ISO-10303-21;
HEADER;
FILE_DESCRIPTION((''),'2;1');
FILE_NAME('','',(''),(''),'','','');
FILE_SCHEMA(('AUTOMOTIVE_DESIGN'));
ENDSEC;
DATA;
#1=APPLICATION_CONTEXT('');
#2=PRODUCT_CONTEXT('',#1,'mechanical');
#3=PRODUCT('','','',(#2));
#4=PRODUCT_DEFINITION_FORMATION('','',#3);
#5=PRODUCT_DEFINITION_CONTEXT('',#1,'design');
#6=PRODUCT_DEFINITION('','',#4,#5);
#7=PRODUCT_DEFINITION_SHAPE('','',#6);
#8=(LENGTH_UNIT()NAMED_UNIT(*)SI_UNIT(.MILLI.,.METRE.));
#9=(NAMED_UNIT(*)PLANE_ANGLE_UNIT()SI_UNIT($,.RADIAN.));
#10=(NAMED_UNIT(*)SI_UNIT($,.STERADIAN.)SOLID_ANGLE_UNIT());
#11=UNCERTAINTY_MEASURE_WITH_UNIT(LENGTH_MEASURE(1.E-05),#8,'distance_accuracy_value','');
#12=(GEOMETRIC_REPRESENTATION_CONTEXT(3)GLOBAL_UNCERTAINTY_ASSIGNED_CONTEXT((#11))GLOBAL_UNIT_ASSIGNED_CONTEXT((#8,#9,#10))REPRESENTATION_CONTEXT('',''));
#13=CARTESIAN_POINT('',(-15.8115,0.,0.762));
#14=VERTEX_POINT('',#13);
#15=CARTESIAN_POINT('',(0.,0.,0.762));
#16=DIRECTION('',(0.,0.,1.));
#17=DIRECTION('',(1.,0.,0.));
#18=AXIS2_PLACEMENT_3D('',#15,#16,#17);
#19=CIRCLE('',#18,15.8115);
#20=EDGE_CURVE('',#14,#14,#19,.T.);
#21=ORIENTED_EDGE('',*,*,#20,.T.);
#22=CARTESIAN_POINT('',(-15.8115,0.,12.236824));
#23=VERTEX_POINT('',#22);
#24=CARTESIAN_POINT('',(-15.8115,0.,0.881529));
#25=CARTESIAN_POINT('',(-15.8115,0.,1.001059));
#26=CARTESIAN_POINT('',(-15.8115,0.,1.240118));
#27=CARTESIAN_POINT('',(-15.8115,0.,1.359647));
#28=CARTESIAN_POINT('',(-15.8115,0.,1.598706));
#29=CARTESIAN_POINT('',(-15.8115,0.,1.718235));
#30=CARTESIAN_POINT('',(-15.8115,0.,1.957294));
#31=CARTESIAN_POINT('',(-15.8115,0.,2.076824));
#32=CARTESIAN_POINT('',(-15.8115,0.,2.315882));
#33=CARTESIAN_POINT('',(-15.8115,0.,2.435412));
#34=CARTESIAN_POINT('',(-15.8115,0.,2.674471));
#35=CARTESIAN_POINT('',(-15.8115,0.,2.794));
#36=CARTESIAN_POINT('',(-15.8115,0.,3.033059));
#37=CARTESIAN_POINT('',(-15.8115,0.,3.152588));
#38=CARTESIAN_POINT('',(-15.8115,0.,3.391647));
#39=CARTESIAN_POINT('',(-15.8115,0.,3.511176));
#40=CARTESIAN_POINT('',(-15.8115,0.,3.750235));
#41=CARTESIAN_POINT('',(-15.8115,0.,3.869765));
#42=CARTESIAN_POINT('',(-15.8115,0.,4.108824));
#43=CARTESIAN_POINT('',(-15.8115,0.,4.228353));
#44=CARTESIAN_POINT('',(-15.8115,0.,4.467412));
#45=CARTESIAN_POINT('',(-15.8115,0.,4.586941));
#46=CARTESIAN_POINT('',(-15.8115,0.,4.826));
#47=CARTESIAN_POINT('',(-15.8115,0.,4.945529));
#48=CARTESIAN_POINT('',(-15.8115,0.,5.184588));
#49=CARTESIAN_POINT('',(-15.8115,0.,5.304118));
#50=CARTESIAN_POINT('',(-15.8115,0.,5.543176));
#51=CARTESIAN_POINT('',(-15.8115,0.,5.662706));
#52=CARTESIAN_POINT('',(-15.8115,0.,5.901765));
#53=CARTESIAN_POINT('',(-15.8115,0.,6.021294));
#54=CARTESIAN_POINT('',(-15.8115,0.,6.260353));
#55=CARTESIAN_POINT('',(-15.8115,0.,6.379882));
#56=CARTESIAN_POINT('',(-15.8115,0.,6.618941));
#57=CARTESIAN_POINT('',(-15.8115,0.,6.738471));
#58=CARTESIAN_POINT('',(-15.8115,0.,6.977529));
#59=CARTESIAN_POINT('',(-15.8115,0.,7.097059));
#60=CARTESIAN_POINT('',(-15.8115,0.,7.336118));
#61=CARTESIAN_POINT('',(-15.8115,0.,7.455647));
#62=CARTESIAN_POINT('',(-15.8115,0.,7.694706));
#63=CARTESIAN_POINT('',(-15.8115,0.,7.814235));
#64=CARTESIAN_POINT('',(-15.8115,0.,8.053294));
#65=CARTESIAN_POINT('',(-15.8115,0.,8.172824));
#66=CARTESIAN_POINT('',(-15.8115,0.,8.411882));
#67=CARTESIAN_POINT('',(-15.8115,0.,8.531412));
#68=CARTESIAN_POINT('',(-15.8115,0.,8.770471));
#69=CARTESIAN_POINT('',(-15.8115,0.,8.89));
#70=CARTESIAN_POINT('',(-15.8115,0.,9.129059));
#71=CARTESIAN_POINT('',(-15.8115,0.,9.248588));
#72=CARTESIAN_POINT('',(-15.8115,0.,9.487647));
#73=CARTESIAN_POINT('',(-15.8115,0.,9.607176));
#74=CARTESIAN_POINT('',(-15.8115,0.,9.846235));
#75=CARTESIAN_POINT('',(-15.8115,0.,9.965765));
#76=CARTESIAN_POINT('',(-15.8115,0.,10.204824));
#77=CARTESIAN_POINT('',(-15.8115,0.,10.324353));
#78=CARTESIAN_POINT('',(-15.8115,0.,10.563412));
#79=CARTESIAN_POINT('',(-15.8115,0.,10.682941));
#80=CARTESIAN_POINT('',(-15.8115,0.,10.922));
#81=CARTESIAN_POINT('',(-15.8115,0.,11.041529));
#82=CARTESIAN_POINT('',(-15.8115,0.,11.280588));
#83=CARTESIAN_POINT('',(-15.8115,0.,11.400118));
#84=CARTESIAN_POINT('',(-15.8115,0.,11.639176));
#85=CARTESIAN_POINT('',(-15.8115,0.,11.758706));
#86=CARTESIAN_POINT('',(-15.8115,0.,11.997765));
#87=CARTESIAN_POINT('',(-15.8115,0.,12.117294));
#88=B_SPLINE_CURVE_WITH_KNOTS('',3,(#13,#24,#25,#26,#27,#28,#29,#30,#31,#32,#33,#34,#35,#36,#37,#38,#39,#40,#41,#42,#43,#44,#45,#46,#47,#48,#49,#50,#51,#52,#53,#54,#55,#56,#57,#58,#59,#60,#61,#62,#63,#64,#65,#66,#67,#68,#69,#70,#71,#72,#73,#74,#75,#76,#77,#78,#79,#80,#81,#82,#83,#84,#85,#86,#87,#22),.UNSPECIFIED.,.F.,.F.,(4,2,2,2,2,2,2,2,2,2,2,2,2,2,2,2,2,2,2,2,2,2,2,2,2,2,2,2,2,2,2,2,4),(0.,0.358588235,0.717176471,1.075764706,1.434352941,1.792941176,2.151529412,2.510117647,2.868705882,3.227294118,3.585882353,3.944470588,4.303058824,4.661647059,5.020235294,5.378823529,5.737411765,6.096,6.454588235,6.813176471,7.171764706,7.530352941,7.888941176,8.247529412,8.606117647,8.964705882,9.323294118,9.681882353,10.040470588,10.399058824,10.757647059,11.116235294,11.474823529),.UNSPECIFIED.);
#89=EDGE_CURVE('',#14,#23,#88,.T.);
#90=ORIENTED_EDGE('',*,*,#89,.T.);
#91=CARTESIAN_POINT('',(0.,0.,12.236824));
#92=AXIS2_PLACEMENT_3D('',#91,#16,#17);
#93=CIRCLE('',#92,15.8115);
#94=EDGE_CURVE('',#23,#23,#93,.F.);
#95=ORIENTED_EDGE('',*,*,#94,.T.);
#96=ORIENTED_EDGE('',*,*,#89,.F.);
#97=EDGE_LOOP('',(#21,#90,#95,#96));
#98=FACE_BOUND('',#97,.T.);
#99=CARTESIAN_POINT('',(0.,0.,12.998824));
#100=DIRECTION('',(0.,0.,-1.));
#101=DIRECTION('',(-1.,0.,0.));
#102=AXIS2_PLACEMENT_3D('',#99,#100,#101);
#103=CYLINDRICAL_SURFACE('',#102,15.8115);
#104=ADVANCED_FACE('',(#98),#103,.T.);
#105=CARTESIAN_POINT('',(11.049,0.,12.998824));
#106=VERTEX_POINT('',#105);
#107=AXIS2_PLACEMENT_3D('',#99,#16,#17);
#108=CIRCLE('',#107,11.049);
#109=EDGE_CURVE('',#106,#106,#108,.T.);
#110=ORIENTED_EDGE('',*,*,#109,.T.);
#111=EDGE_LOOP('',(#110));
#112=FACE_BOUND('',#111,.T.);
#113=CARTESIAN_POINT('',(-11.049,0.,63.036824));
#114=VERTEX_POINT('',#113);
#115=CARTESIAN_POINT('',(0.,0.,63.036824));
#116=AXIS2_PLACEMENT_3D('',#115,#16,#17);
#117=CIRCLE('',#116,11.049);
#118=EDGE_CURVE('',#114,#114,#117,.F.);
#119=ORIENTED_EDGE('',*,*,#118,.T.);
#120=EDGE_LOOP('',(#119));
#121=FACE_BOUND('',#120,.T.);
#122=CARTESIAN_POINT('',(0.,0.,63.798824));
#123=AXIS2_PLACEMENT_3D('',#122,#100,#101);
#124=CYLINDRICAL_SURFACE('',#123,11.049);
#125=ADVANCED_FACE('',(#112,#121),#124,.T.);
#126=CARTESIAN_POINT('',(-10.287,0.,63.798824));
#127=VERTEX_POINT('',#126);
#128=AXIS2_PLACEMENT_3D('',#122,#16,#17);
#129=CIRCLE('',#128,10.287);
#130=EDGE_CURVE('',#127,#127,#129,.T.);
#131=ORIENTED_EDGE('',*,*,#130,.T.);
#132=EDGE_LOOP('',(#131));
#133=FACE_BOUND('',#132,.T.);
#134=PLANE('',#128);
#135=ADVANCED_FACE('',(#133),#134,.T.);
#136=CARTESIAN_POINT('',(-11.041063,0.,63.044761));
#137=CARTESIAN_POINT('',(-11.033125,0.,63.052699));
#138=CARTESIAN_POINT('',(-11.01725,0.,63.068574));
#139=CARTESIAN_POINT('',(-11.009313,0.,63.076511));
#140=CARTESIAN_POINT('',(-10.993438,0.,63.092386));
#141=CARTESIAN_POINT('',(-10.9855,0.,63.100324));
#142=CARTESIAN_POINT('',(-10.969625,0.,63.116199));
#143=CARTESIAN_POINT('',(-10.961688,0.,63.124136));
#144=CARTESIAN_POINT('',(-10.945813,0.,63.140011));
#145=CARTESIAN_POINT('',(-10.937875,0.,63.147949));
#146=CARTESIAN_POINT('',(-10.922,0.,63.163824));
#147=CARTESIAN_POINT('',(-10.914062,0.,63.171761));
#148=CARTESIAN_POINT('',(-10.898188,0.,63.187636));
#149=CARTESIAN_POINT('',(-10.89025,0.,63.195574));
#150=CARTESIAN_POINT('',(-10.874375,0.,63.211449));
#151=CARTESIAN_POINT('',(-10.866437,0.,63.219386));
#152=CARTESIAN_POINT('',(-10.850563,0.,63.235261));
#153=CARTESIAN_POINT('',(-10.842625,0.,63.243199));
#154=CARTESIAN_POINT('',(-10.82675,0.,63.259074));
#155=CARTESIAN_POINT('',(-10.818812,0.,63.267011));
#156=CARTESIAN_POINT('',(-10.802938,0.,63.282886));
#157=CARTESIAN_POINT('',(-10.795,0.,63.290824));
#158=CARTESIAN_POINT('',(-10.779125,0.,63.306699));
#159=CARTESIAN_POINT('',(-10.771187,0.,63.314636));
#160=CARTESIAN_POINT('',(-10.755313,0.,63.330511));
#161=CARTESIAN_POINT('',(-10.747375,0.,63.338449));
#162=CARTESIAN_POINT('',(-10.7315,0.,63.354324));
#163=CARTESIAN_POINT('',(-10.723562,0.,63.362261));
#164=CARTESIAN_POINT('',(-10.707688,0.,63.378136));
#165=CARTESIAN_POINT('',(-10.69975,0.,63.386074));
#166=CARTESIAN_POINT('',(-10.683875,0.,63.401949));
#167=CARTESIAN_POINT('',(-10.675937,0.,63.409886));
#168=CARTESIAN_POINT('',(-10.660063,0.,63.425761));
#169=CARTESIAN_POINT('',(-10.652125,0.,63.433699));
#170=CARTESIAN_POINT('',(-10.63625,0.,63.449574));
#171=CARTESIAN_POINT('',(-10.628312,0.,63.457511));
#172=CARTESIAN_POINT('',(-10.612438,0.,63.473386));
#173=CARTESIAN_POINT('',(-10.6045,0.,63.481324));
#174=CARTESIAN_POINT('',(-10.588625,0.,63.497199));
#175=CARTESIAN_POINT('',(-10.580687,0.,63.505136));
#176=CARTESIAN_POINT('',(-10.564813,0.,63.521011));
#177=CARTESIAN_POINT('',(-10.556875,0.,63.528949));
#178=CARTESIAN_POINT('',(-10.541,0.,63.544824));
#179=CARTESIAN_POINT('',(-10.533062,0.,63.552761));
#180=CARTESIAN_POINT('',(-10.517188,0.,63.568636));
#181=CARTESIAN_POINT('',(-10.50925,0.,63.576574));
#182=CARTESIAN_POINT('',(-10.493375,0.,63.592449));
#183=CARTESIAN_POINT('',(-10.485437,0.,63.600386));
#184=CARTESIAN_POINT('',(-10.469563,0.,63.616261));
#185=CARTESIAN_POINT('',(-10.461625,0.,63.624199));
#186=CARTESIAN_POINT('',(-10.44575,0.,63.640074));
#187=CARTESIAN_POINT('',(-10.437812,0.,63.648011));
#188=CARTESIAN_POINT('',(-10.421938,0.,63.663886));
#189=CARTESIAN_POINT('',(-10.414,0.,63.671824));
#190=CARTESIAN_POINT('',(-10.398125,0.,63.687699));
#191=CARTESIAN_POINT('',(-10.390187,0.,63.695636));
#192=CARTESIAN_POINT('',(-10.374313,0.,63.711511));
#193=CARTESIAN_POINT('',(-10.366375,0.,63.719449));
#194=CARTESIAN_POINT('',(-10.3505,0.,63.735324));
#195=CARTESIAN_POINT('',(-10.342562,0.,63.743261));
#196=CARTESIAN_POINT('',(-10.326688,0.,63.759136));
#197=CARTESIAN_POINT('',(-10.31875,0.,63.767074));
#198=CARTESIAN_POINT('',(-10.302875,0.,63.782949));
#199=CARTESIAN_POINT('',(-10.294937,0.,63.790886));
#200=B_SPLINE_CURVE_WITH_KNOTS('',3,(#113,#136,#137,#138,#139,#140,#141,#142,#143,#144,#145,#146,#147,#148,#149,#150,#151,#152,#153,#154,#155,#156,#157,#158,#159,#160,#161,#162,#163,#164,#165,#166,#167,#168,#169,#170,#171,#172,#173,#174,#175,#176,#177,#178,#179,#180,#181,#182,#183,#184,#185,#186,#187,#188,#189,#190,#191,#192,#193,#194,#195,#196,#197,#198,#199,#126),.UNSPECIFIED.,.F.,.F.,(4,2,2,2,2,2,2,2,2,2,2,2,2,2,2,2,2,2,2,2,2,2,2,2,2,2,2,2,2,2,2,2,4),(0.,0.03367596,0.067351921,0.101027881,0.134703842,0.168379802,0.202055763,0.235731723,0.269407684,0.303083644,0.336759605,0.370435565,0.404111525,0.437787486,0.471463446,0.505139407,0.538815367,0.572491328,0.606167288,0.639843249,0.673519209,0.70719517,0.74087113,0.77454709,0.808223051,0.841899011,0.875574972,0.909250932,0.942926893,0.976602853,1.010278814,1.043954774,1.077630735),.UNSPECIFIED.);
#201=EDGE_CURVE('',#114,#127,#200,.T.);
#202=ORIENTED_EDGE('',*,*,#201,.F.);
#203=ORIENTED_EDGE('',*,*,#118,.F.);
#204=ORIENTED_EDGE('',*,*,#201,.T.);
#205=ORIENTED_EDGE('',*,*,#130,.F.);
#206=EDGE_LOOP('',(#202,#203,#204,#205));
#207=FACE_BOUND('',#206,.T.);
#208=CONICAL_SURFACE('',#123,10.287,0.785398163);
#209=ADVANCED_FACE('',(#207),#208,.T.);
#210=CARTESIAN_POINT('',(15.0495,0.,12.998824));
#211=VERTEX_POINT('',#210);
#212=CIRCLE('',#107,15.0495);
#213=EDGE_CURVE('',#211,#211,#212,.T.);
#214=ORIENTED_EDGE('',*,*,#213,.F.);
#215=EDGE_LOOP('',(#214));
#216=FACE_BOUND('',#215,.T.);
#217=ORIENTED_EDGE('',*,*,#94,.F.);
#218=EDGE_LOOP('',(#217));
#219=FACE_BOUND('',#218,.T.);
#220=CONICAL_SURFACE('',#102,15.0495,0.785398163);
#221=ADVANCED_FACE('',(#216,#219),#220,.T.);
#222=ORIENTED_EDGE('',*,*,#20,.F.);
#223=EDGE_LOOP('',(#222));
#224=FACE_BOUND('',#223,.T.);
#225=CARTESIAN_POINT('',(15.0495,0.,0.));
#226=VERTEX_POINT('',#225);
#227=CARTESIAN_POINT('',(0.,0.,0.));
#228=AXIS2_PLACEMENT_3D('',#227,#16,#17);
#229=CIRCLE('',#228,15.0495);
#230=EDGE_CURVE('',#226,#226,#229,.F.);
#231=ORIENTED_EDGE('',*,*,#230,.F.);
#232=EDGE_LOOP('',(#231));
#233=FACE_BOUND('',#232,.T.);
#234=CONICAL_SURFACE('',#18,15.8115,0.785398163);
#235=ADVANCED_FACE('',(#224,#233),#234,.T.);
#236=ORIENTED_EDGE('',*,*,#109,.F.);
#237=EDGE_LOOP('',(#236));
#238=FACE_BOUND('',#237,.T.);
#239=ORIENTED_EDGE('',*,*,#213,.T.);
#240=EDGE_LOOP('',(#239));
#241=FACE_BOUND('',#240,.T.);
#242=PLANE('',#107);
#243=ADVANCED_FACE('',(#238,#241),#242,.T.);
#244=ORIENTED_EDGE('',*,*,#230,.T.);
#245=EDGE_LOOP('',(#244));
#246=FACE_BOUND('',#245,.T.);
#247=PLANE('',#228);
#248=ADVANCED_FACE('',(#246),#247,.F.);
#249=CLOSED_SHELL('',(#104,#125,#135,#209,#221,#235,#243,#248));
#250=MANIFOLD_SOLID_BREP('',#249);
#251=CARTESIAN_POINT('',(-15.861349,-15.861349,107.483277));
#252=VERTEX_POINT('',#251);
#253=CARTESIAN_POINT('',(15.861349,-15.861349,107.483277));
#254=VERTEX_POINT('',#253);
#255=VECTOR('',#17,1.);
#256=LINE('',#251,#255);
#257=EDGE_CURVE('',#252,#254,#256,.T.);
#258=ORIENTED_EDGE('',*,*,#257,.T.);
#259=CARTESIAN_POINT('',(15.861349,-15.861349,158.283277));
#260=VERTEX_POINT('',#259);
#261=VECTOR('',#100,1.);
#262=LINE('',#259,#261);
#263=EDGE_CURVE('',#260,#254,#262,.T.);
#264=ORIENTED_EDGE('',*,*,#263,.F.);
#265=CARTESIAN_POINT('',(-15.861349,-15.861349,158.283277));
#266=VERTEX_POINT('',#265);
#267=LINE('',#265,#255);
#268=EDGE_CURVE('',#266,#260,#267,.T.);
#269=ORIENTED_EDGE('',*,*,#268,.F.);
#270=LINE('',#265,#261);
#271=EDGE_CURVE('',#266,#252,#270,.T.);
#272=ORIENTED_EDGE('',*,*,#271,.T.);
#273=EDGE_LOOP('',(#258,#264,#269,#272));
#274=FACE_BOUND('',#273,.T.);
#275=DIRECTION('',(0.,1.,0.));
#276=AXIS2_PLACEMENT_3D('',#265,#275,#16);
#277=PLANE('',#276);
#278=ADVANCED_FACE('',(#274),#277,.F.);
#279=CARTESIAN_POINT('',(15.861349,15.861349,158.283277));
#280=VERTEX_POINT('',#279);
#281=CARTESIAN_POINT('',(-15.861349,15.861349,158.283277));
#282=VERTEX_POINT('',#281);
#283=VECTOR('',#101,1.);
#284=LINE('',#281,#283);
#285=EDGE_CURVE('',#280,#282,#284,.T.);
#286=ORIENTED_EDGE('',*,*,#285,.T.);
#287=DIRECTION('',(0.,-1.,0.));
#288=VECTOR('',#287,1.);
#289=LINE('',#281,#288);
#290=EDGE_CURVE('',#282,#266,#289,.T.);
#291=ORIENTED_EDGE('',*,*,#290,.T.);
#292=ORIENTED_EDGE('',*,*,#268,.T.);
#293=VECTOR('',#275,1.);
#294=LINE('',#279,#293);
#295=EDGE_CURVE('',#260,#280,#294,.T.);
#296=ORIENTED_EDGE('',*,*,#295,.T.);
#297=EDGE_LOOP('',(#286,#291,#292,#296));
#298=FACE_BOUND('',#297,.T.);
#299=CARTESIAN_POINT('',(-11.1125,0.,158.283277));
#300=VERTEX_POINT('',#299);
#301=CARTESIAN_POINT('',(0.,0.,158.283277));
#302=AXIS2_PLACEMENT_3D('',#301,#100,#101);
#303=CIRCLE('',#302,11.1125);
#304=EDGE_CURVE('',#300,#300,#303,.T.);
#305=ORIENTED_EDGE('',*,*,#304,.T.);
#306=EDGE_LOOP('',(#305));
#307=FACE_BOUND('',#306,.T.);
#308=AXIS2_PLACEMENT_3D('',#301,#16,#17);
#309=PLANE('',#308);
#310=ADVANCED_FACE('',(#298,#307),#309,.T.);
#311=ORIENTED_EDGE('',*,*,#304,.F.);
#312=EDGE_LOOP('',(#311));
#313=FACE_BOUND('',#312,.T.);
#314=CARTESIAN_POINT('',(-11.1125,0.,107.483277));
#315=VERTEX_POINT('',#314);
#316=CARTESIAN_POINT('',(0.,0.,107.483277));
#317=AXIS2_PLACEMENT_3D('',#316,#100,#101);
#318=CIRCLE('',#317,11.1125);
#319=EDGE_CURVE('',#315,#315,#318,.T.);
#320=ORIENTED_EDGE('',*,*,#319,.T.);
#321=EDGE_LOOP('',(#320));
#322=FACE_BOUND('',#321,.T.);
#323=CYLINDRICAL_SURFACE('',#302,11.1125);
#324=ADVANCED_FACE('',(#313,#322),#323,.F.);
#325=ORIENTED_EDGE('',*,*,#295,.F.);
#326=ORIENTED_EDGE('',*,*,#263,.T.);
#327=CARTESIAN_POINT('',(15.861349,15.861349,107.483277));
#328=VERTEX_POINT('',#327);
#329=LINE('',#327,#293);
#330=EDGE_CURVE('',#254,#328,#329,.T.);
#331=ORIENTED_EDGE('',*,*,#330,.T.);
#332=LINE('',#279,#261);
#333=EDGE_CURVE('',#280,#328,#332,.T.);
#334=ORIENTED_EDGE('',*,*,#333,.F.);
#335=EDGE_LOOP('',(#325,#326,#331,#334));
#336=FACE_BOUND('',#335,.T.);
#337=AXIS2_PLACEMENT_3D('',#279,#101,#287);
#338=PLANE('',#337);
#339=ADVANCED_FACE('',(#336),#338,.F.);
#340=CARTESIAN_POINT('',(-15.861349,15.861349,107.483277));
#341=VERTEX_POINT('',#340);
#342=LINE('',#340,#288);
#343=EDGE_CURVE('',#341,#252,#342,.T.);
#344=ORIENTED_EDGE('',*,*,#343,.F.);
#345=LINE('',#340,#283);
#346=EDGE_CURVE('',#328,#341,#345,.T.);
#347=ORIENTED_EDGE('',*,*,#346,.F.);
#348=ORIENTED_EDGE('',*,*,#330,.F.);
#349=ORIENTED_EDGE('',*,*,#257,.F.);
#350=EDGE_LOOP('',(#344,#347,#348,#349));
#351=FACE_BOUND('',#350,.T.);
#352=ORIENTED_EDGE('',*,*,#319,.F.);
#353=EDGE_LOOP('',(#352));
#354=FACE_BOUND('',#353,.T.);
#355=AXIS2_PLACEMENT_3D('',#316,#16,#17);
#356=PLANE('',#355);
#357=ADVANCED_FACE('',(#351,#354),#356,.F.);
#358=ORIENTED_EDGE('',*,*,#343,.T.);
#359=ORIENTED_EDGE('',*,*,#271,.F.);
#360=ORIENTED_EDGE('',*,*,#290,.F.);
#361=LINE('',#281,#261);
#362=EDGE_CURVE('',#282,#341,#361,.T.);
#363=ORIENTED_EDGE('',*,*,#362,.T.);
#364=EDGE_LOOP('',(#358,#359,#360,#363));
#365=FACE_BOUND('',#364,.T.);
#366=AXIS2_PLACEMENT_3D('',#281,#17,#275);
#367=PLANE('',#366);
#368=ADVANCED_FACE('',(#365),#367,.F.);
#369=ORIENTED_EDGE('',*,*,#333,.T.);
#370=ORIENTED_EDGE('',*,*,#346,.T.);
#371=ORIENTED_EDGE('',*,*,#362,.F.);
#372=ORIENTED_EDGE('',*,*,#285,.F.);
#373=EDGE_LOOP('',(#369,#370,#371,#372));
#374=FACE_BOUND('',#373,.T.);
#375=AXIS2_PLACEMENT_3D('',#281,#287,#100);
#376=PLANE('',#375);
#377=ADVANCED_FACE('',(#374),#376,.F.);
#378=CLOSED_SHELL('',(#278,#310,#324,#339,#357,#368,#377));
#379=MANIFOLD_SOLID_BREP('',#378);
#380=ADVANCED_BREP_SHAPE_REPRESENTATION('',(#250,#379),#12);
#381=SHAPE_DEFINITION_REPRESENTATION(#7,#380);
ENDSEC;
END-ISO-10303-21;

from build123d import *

# Parameters (mm, degrees)
SKETCH1_R           = 15.8115
BOSS_EXTRUDE1_DEPTH = 12.998823529
SKETCH2_R           = 11.049
BOSS_EXTRUDE2_DEPTH = 50.8
SKETCH3_W           = 31.722698392
SKETCH3_H           = 31.722698392
BOSS_EXTRUDE3_DEPTH = 50.8
SKETCH4_R           = 11.1125
CUT_EXTRUDE1_DEPTH  = 110.798996017
CHAMFER1_SIZE       = 0.762


with BuildPart() as part:
    # Sketch1 → Boss-Extrude1 (new body)
    with BuildSketch(Plane.XY):
        with Locations(Location((0, 0, 0), (0, 0, 180))):
            Circle(SKETCH1_R)
    extrude(amount=BOSS_EXTRUDE1_DEPTH)

    # Sketch2 → Boss-Extrude2 (add)
    with BuildSketch(Plane.XY.offset(12.998823529)):
        Circle(SKETCH2_R)
    extrude(amount=BOSS_EXTRUDE2_DEPTH)

    # Chamfer1
    chamfer1_edges = [part.edges().sort_by_distance(p)[0] for p in [
        (15.8115, 0, 0),
        (15.8115, 0, 12.998823529),
        (-11.049, 0, 63.798823529),
    ]]
    chamfer(chamfer1_edges, length=CHAMFER1_SIZE)


with BuildPart() as body_2:
    # Sketch3 → Boss-Extrude3 (new body)
    with BuildSketch(Plane.XY.offset(107.483276511)):
        Rectangle(SKETCH3_W, SKETCH3_H)
    extrude(amount=BOSS_EXTRUDE3_DEPTH)

    # Sketch4 → Cut-Extrude1 (cut, through all)
    with BuildSketch(Plane(origin=(0, 0, 107.483276511), x_dir=(-1, 0, 0), z_dir=(0, 0, -1))):
        Circle(SKETCH4_R)
    extrude(amount=-CUT_EXTRUDE1_DEPTH, mode=Mode.SUBTRACT)


solid = Compound([part.part, body_2.part])
